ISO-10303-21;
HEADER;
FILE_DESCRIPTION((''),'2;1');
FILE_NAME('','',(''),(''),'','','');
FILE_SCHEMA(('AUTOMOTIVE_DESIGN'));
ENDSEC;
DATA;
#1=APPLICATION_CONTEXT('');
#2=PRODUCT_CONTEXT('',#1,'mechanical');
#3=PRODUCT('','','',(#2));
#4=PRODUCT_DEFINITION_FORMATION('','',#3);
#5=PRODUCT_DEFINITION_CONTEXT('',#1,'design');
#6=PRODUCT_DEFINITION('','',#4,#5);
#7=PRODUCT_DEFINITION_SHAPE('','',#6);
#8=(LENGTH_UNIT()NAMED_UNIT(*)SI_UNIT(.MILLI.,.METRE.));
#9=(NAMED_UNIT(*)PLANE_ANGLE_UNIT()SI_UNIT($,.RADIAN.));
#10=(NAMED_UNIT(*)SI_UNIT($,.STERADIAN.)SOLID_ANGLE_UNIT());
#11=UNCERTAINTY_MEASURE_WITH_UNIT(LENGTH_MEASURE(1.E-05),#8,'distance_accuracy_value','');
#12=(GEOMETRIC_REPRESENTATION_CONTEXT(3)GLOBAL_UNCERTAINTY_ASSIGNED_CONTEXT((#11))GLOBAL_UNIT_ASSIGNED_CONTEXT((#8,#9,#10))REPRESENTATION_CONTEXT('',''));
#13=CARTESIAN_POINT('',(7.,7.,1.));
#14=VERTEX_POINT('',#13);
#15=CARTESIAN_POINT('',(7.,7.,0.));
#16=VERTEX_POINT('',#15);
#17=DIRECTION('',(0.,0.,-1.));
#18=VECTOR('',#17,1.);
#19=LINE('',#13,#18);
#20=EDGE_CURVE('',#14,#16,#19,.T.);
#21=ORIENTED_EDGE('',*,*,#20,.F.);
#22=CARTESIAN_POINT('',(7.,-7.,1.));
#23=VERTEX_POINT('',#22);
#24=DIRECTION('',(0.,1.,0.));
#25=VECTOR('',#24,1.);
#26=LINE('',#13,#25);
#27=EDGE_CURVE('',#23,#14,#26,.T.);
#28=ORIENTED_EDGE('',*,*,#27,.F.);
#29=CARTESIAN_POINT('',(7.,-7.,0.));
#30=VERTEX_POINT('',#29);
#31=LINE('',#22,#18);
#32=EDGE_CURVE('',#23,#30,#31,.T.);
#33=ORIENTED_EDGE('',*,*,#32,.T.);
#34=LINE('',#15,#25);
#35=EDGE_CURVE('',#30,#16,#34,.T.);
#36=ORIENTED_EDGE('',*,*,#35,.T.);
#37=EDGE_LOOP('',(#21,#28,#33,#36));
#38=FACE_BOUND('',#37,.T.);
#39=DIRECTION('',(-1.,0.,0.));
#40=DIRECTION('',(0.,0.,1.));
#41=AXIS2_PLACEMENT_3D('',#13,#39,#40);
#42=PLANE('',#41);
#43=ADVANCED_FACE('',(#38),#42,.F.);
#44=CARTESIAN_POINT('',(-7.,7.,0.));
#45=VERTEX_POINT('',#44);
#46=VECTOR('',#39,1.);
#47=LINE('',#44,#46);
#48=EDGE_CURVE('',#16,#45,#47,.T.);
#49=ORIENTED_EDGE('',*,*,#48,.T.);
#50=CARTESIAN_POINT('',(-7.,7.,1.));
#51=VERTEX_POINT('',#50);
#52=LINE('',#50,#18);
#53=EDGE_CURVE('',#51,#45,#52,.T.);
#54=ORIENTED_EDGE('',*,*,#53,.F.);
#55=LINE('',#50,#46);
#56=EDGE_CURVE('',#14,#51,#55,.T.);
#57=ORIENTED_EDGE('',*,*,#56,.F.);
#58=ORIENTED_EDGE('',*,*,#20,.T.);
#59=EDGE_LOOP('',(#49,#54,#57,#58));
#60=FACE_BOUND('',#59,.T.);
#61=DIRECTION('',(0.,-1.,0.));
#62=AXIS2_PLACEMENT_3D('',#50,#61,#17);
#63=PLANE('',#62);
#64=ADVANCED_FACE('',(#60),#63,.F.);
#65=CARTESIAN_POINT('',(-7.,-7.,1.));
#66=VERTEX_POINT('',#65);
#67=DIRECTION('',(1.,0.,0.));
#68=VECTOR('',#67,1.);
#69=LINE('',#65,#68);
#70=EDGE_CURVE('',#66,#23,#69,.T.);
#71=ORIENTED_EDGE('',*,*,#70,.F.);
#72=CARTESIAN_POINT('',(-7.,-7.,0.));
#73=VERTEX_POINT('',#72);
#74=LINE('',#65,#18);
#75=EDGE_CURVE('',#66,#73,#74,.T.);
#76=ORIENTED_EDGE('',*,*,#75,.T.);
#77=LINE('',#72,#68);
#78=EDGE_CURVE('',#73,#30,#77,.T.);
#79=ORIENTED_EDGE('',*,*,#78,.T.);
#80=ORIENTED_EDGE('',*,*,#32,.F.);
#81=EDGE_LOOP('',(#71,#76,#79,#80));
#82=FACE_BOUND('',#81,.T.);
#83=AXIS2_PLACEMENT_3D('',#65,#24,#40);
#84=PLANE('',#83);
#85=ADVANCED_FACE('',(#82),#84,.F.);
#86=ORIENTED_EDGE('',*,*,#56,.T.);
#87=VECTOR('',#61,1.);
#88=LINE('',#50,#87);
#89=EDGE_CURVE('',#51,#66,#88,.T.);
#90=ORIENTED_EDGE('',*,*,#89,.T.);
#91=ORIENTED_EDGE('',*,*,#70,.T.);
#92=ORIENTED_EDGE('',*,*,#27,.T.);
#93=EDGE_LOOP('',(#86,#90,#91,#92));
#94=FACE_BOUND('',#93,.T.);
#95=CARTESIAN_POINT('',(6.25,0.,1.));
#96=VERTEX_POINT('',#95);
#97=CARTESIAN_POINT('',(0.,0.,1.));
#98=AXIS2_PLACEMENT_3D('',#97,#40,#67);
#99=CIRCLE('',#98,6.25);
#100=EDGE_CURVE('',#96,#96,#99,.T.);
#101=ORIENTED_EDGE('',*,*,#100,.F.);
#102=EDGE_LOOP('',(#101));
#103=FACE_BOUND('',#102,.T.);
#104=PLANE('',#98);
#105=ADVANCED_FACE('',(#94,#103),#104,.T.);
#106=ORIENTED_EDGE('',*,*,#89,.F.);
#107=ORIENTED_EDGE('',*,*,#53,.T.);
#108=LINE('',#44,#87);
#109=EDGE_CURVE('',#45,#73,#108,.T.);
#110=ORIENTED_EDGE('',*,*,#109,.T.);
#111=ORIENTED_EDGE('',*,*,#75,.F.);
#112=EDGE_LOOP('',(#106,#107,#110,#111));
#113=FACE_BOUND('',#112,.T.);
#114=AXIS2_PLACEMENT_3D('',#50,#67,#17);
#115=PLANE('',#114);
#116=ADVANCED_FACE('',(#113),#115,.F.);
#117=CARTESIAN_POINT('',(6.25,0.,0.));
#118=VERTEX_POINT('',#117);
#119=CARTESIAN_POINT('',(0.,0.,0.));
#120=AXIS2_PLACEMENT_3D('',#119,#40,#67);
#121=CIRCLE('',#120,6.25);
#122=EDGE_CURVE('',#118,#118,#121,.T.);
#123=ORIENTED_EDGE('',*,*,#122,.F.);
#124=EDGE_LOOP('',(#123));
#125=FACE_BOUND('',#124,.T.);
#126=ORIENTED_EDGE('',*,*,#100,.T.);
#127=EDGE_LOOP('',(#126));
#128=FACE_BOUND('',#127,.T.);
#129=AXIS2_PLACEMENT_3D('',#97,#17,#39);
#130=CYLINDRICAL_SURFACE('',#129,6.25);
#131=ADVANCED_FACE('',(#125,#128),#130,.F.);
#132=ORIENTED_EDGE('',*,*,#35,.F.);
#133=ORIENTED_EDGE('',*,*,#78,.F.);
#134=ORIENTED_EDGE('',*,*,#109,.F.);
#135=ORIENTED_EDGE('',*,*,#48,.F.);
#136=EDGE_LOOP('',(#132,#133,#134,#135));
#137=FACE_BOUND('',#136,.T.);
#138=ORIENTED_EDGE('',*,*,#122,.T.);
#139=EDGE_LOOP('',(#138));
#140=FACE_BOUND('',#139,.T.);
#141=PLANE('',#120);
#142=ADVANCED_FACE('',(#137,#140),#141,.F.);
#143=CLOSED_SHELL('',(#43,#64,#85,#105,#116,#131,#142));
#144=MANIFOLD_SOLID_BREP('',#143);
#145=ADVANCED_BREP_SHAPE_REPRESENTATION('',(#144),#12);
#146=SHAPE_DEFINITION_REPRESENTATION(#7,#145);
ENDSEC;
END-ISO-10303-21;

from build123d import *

# Parameters (mm, degrees)
SKETCH1_W           = 14
SKETCH1_H           = 14
SKETCH1_R           = 6.25
BOSS_EXTRUDE1_DEPTH = 1


with BuildPart() as part:
    # Sketch1 → Boss-Extrude1 (new body)
    with BuildSketch(Plane.XY):
        Rectangle(SKETCH1_W, SKETCH1_H)
        Circle(SKETCH1_R, mode=Mode.SUBTRACT)
    extrude(amount=BOSS_EXTRUDE1_DEPTH)


solid = part.part
